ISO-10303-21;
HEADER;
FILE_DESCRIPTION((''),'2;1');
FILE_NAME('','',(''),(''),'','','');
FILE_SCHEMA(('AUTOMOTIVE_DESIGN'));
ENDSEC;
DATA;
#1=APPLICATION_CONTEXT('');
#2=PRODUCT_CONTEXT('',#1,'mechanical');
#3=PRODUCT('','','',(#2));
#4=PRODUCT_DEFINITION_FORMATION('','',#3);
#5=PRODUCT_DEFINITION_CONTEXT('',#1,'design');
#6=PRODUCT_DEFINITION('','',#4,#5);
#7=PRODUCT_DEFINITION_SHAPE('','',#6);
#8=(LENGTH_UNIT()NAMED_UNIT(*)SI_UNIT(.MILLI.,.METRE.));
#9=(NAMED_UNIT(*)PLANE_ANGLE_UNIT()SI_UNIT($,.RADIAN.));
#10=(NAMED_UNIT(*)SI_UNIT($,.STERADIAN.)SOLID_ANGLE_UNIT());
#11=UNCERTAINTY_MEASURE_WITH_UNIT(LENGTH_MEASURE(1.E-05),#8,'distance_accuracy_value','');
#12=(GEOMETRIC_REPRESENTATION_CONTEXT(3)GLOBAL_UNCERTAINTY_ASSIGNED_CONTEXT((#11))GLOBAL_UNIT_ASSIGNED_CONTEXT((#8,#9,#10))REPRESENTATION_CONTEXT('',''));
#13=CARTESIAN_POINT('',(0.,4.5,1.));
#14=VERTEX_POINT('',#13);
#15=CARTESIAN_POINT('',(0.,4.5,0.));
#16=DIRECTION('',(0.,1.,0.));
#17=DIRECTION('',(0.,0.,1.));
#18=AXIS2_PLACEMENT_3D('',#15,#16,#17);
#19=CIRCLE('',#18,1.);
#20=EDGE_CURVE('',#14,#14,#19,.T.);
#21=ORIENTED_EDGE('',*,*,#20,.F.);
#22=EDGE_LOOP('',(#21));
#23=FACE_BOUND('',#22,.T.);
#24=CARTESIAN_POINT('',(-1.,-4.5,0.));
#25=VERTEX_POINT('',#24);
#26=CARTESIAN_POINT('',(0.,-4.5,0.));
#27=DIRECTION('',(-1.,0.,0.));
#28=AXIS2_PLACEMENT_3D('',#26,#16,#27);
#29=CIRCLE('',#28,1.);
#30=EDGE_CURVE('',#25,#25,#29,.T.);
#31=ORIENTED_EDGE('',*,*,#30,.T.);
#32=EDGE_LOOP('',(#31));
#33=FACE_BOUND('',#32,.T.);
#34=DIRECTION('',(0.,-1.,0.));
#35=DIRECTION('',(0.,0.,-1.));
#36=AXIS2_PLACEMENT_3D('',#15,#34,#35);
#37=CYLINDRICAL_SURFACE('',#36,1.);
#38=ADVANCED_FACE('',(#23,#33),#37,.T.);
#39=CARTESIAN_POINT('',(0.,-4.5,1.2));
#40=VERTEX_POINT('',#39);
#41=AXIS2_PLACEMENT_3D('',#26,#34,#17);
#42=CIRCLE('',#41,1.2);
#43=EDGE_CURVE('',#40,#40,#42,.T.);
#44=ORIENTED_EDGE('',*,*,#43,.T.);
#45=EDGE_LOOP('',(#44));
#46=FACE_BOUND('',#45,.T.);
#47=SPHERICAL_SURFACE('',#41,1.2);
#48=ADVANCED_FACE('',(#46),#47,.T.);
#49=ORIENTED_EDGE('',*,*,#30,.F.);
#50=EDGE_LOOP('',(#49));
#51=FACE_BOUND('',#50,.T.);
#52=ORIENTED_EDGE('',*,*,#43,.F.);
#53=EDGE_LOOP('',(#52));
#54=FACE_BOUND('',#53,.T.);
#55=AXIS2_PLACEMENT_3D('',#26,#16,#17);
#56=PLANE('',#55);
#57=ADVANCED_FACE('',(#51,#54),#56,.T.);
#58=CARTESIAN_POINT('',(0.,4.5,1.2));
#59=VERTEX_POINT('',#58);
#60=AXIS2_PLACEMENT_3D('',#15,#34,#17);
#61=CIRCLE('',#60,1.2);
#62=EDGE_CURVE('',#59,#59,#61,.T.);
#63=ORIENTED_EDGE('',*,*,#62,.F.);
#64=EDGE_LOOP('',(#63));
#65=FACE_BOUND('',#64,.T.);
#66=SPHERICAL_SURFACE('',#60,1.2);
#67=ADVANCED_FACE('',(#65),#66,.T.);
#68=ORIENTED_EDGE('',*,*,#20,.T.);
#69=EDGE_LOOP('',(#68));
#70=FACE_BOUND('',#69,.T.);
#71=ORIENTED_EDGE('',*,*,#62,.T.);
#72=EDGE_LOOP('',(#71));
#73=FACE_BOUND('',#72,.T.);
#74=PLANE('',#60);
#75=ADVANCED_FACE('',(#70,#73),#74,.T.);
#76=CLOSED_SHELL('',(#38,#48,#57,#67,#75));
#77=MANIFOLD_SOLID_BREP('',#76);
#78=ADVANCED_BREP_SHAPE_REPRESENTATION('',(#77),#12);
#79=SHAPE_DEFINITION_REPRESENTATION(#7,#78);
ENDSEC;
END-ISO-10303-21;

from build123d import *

# Parameters (mm, degrees)
SKETCH1_R           = 1
BOSS_EXTRUDE1_DEPTH = 4.5
REVOLVE1_ANGLE      = 180


with BuildPart() as part:
    # Sketch1 → Boss-Extrude1 (new, symmetric)
    with BuildSketch(Plane(origin=(0, 0, 0), x_dir=(1, 0, 0), z_dir=(0, 1, 0))):
        with Locations(Location((0, 0, 0), (0, 0, 270))):
            Circle(SKETCH1_R)
    extrude(amount=BOSS_EXTRUDE1_DEPTH, both=True)

    # Sketch2 → Revolve1 (revolve)
    with BuildSketch(Plane(origin=(0, 4.5, 0), x_dir=(1, 0, 0), z_dir=(0, 1, 0))):
        with BuildLine():
            Line((0, 1.2), (0, -1.2))
            ThreePointArc((0, -1.2), (-1.2, 0), (0, 1.2))
        make_face()
    revolve1 = revolve(axis=Axis((0, 4.5, -1.2), (0, 0, -1)), revolution_arc=REVOLVE1_ANGLE)

    # Mirror1: Revolve1 across plane
    add(revolve1.mirror(Plane.ZX))


solid = part.part
